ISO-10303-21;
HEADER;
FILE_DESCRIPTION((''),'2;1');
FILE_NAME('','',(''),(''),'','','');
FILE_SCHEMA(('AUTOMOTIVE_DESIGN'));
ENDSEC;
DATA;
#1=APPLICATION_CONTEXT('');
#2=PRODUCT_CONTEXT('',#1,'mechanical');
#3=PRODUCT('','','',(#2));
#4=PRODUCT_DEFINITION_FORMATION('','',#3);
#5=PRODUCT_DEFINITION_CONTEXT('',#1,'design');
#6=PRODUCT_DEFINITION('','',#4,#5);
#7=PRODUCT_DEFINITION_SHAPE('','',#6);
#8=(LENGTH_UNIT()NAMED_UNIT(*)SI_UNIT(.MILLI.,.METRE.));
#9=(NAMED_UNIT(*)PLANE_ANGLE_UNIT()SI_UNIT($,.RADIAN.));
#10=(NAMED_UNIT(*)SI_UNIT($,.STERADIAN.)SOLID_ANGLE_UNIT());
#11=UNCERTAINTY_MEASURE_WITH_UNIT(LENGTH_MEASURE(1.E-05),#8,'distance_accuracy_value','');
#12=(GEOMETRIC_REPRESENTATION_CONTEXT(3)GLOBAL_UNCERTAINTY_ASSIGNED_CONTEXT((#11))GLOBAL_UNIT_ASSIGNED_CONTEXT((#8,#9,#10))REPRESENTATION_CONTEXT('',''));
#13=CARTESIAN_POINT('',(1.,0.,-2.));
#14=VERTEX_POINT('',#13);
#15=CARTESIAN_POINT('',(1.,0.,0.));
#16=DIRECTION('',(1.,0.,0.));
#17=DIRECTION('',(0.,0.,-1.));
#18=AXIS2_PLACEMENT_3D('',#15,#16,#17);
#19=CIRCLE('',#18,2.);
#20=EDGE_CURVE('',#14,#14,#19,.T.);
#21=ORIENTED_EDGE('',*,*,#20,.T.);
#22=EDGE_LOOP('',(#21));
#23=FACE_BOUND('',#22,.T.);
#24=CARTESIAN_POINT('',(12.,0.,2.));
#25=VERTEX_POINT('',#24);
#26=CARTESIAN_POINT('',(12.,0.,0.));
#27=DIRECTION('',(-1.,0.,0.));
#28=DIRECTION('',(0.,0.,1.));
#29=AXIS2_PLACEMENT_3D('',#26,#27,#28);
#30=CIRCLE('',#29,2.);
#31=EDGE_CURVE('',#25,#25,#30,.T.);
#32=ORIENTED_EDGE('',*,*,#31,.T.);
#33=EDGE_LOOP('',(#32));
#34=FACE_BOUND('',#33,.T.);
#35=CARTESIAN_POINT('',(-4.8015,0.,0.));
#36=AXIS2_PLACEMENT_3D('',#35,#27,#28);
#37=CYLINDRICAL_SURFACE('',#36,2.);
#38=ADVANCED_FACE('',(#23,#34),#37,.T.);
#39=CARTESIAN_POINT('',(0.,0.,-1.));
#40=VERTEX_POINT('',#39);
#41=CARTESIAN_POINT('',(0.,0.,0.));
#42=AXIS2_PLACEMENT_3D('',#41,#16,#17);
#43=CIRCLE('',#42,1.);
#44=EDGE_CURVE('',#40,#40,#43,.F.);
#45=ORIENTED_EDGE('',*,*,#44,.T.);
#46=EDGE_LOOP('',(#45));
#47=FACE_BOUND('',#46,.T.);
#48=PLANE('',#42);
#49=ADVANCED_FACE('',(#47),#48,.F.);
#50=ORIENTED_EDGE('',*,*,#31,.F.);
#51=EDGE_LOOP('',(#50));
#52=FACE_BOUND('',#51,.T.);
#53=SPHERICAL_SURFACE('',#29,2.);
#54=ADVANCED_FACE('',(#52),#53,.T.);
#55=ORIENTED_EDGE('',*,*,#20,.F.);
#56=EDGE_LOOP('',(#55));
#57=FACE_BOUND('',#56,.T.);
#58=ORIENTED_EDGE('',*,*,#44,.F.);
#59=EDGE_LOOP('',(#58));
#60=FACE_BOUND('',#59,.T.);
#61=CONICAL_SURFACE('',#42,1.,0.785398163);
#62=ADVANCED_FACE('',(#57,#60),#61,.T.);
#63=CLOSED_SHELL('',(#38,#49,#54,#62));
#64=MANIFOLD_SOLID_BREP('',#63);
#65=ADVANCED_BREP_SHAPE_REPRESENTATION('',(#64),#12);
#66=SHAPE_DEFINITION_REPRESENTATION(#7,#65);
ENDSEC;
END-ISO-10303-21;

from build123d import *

# Parameters (mm, degrees)
SKETCH1_W     = 14
SKETCH1_H     = 2
CHAMFER1_SIZE = 1
FILLET1_R     = 2


with BuildPart() as part:
    # Sketch1 → Revolve1 (revolve)
    with BuildSketch(Plane.XY):
        with Locations((7, 1)):
            Rectangle(SKETCH1_W, SKETCH1_H)
    revolve(axis=Axis((-4.801500481, 0, 0), (1, 0, 0)))

    # Chamfer1
    chamfer1_edges = [part.edges().sort_by_distance(p)[0] for p in [
        (0, -2, 0),
    ]]
    chamfer(chamfer1_edges, length=CHAMFER1_SIZE)

    # Fillet1
    fillet1_edges = [part.edges().sort_by_distance(p)[0] for p in [
        (14, -2, 0),
    ]]
    fillet(fillet1_edges, radius=FILLET1_R)


solid = part.part
